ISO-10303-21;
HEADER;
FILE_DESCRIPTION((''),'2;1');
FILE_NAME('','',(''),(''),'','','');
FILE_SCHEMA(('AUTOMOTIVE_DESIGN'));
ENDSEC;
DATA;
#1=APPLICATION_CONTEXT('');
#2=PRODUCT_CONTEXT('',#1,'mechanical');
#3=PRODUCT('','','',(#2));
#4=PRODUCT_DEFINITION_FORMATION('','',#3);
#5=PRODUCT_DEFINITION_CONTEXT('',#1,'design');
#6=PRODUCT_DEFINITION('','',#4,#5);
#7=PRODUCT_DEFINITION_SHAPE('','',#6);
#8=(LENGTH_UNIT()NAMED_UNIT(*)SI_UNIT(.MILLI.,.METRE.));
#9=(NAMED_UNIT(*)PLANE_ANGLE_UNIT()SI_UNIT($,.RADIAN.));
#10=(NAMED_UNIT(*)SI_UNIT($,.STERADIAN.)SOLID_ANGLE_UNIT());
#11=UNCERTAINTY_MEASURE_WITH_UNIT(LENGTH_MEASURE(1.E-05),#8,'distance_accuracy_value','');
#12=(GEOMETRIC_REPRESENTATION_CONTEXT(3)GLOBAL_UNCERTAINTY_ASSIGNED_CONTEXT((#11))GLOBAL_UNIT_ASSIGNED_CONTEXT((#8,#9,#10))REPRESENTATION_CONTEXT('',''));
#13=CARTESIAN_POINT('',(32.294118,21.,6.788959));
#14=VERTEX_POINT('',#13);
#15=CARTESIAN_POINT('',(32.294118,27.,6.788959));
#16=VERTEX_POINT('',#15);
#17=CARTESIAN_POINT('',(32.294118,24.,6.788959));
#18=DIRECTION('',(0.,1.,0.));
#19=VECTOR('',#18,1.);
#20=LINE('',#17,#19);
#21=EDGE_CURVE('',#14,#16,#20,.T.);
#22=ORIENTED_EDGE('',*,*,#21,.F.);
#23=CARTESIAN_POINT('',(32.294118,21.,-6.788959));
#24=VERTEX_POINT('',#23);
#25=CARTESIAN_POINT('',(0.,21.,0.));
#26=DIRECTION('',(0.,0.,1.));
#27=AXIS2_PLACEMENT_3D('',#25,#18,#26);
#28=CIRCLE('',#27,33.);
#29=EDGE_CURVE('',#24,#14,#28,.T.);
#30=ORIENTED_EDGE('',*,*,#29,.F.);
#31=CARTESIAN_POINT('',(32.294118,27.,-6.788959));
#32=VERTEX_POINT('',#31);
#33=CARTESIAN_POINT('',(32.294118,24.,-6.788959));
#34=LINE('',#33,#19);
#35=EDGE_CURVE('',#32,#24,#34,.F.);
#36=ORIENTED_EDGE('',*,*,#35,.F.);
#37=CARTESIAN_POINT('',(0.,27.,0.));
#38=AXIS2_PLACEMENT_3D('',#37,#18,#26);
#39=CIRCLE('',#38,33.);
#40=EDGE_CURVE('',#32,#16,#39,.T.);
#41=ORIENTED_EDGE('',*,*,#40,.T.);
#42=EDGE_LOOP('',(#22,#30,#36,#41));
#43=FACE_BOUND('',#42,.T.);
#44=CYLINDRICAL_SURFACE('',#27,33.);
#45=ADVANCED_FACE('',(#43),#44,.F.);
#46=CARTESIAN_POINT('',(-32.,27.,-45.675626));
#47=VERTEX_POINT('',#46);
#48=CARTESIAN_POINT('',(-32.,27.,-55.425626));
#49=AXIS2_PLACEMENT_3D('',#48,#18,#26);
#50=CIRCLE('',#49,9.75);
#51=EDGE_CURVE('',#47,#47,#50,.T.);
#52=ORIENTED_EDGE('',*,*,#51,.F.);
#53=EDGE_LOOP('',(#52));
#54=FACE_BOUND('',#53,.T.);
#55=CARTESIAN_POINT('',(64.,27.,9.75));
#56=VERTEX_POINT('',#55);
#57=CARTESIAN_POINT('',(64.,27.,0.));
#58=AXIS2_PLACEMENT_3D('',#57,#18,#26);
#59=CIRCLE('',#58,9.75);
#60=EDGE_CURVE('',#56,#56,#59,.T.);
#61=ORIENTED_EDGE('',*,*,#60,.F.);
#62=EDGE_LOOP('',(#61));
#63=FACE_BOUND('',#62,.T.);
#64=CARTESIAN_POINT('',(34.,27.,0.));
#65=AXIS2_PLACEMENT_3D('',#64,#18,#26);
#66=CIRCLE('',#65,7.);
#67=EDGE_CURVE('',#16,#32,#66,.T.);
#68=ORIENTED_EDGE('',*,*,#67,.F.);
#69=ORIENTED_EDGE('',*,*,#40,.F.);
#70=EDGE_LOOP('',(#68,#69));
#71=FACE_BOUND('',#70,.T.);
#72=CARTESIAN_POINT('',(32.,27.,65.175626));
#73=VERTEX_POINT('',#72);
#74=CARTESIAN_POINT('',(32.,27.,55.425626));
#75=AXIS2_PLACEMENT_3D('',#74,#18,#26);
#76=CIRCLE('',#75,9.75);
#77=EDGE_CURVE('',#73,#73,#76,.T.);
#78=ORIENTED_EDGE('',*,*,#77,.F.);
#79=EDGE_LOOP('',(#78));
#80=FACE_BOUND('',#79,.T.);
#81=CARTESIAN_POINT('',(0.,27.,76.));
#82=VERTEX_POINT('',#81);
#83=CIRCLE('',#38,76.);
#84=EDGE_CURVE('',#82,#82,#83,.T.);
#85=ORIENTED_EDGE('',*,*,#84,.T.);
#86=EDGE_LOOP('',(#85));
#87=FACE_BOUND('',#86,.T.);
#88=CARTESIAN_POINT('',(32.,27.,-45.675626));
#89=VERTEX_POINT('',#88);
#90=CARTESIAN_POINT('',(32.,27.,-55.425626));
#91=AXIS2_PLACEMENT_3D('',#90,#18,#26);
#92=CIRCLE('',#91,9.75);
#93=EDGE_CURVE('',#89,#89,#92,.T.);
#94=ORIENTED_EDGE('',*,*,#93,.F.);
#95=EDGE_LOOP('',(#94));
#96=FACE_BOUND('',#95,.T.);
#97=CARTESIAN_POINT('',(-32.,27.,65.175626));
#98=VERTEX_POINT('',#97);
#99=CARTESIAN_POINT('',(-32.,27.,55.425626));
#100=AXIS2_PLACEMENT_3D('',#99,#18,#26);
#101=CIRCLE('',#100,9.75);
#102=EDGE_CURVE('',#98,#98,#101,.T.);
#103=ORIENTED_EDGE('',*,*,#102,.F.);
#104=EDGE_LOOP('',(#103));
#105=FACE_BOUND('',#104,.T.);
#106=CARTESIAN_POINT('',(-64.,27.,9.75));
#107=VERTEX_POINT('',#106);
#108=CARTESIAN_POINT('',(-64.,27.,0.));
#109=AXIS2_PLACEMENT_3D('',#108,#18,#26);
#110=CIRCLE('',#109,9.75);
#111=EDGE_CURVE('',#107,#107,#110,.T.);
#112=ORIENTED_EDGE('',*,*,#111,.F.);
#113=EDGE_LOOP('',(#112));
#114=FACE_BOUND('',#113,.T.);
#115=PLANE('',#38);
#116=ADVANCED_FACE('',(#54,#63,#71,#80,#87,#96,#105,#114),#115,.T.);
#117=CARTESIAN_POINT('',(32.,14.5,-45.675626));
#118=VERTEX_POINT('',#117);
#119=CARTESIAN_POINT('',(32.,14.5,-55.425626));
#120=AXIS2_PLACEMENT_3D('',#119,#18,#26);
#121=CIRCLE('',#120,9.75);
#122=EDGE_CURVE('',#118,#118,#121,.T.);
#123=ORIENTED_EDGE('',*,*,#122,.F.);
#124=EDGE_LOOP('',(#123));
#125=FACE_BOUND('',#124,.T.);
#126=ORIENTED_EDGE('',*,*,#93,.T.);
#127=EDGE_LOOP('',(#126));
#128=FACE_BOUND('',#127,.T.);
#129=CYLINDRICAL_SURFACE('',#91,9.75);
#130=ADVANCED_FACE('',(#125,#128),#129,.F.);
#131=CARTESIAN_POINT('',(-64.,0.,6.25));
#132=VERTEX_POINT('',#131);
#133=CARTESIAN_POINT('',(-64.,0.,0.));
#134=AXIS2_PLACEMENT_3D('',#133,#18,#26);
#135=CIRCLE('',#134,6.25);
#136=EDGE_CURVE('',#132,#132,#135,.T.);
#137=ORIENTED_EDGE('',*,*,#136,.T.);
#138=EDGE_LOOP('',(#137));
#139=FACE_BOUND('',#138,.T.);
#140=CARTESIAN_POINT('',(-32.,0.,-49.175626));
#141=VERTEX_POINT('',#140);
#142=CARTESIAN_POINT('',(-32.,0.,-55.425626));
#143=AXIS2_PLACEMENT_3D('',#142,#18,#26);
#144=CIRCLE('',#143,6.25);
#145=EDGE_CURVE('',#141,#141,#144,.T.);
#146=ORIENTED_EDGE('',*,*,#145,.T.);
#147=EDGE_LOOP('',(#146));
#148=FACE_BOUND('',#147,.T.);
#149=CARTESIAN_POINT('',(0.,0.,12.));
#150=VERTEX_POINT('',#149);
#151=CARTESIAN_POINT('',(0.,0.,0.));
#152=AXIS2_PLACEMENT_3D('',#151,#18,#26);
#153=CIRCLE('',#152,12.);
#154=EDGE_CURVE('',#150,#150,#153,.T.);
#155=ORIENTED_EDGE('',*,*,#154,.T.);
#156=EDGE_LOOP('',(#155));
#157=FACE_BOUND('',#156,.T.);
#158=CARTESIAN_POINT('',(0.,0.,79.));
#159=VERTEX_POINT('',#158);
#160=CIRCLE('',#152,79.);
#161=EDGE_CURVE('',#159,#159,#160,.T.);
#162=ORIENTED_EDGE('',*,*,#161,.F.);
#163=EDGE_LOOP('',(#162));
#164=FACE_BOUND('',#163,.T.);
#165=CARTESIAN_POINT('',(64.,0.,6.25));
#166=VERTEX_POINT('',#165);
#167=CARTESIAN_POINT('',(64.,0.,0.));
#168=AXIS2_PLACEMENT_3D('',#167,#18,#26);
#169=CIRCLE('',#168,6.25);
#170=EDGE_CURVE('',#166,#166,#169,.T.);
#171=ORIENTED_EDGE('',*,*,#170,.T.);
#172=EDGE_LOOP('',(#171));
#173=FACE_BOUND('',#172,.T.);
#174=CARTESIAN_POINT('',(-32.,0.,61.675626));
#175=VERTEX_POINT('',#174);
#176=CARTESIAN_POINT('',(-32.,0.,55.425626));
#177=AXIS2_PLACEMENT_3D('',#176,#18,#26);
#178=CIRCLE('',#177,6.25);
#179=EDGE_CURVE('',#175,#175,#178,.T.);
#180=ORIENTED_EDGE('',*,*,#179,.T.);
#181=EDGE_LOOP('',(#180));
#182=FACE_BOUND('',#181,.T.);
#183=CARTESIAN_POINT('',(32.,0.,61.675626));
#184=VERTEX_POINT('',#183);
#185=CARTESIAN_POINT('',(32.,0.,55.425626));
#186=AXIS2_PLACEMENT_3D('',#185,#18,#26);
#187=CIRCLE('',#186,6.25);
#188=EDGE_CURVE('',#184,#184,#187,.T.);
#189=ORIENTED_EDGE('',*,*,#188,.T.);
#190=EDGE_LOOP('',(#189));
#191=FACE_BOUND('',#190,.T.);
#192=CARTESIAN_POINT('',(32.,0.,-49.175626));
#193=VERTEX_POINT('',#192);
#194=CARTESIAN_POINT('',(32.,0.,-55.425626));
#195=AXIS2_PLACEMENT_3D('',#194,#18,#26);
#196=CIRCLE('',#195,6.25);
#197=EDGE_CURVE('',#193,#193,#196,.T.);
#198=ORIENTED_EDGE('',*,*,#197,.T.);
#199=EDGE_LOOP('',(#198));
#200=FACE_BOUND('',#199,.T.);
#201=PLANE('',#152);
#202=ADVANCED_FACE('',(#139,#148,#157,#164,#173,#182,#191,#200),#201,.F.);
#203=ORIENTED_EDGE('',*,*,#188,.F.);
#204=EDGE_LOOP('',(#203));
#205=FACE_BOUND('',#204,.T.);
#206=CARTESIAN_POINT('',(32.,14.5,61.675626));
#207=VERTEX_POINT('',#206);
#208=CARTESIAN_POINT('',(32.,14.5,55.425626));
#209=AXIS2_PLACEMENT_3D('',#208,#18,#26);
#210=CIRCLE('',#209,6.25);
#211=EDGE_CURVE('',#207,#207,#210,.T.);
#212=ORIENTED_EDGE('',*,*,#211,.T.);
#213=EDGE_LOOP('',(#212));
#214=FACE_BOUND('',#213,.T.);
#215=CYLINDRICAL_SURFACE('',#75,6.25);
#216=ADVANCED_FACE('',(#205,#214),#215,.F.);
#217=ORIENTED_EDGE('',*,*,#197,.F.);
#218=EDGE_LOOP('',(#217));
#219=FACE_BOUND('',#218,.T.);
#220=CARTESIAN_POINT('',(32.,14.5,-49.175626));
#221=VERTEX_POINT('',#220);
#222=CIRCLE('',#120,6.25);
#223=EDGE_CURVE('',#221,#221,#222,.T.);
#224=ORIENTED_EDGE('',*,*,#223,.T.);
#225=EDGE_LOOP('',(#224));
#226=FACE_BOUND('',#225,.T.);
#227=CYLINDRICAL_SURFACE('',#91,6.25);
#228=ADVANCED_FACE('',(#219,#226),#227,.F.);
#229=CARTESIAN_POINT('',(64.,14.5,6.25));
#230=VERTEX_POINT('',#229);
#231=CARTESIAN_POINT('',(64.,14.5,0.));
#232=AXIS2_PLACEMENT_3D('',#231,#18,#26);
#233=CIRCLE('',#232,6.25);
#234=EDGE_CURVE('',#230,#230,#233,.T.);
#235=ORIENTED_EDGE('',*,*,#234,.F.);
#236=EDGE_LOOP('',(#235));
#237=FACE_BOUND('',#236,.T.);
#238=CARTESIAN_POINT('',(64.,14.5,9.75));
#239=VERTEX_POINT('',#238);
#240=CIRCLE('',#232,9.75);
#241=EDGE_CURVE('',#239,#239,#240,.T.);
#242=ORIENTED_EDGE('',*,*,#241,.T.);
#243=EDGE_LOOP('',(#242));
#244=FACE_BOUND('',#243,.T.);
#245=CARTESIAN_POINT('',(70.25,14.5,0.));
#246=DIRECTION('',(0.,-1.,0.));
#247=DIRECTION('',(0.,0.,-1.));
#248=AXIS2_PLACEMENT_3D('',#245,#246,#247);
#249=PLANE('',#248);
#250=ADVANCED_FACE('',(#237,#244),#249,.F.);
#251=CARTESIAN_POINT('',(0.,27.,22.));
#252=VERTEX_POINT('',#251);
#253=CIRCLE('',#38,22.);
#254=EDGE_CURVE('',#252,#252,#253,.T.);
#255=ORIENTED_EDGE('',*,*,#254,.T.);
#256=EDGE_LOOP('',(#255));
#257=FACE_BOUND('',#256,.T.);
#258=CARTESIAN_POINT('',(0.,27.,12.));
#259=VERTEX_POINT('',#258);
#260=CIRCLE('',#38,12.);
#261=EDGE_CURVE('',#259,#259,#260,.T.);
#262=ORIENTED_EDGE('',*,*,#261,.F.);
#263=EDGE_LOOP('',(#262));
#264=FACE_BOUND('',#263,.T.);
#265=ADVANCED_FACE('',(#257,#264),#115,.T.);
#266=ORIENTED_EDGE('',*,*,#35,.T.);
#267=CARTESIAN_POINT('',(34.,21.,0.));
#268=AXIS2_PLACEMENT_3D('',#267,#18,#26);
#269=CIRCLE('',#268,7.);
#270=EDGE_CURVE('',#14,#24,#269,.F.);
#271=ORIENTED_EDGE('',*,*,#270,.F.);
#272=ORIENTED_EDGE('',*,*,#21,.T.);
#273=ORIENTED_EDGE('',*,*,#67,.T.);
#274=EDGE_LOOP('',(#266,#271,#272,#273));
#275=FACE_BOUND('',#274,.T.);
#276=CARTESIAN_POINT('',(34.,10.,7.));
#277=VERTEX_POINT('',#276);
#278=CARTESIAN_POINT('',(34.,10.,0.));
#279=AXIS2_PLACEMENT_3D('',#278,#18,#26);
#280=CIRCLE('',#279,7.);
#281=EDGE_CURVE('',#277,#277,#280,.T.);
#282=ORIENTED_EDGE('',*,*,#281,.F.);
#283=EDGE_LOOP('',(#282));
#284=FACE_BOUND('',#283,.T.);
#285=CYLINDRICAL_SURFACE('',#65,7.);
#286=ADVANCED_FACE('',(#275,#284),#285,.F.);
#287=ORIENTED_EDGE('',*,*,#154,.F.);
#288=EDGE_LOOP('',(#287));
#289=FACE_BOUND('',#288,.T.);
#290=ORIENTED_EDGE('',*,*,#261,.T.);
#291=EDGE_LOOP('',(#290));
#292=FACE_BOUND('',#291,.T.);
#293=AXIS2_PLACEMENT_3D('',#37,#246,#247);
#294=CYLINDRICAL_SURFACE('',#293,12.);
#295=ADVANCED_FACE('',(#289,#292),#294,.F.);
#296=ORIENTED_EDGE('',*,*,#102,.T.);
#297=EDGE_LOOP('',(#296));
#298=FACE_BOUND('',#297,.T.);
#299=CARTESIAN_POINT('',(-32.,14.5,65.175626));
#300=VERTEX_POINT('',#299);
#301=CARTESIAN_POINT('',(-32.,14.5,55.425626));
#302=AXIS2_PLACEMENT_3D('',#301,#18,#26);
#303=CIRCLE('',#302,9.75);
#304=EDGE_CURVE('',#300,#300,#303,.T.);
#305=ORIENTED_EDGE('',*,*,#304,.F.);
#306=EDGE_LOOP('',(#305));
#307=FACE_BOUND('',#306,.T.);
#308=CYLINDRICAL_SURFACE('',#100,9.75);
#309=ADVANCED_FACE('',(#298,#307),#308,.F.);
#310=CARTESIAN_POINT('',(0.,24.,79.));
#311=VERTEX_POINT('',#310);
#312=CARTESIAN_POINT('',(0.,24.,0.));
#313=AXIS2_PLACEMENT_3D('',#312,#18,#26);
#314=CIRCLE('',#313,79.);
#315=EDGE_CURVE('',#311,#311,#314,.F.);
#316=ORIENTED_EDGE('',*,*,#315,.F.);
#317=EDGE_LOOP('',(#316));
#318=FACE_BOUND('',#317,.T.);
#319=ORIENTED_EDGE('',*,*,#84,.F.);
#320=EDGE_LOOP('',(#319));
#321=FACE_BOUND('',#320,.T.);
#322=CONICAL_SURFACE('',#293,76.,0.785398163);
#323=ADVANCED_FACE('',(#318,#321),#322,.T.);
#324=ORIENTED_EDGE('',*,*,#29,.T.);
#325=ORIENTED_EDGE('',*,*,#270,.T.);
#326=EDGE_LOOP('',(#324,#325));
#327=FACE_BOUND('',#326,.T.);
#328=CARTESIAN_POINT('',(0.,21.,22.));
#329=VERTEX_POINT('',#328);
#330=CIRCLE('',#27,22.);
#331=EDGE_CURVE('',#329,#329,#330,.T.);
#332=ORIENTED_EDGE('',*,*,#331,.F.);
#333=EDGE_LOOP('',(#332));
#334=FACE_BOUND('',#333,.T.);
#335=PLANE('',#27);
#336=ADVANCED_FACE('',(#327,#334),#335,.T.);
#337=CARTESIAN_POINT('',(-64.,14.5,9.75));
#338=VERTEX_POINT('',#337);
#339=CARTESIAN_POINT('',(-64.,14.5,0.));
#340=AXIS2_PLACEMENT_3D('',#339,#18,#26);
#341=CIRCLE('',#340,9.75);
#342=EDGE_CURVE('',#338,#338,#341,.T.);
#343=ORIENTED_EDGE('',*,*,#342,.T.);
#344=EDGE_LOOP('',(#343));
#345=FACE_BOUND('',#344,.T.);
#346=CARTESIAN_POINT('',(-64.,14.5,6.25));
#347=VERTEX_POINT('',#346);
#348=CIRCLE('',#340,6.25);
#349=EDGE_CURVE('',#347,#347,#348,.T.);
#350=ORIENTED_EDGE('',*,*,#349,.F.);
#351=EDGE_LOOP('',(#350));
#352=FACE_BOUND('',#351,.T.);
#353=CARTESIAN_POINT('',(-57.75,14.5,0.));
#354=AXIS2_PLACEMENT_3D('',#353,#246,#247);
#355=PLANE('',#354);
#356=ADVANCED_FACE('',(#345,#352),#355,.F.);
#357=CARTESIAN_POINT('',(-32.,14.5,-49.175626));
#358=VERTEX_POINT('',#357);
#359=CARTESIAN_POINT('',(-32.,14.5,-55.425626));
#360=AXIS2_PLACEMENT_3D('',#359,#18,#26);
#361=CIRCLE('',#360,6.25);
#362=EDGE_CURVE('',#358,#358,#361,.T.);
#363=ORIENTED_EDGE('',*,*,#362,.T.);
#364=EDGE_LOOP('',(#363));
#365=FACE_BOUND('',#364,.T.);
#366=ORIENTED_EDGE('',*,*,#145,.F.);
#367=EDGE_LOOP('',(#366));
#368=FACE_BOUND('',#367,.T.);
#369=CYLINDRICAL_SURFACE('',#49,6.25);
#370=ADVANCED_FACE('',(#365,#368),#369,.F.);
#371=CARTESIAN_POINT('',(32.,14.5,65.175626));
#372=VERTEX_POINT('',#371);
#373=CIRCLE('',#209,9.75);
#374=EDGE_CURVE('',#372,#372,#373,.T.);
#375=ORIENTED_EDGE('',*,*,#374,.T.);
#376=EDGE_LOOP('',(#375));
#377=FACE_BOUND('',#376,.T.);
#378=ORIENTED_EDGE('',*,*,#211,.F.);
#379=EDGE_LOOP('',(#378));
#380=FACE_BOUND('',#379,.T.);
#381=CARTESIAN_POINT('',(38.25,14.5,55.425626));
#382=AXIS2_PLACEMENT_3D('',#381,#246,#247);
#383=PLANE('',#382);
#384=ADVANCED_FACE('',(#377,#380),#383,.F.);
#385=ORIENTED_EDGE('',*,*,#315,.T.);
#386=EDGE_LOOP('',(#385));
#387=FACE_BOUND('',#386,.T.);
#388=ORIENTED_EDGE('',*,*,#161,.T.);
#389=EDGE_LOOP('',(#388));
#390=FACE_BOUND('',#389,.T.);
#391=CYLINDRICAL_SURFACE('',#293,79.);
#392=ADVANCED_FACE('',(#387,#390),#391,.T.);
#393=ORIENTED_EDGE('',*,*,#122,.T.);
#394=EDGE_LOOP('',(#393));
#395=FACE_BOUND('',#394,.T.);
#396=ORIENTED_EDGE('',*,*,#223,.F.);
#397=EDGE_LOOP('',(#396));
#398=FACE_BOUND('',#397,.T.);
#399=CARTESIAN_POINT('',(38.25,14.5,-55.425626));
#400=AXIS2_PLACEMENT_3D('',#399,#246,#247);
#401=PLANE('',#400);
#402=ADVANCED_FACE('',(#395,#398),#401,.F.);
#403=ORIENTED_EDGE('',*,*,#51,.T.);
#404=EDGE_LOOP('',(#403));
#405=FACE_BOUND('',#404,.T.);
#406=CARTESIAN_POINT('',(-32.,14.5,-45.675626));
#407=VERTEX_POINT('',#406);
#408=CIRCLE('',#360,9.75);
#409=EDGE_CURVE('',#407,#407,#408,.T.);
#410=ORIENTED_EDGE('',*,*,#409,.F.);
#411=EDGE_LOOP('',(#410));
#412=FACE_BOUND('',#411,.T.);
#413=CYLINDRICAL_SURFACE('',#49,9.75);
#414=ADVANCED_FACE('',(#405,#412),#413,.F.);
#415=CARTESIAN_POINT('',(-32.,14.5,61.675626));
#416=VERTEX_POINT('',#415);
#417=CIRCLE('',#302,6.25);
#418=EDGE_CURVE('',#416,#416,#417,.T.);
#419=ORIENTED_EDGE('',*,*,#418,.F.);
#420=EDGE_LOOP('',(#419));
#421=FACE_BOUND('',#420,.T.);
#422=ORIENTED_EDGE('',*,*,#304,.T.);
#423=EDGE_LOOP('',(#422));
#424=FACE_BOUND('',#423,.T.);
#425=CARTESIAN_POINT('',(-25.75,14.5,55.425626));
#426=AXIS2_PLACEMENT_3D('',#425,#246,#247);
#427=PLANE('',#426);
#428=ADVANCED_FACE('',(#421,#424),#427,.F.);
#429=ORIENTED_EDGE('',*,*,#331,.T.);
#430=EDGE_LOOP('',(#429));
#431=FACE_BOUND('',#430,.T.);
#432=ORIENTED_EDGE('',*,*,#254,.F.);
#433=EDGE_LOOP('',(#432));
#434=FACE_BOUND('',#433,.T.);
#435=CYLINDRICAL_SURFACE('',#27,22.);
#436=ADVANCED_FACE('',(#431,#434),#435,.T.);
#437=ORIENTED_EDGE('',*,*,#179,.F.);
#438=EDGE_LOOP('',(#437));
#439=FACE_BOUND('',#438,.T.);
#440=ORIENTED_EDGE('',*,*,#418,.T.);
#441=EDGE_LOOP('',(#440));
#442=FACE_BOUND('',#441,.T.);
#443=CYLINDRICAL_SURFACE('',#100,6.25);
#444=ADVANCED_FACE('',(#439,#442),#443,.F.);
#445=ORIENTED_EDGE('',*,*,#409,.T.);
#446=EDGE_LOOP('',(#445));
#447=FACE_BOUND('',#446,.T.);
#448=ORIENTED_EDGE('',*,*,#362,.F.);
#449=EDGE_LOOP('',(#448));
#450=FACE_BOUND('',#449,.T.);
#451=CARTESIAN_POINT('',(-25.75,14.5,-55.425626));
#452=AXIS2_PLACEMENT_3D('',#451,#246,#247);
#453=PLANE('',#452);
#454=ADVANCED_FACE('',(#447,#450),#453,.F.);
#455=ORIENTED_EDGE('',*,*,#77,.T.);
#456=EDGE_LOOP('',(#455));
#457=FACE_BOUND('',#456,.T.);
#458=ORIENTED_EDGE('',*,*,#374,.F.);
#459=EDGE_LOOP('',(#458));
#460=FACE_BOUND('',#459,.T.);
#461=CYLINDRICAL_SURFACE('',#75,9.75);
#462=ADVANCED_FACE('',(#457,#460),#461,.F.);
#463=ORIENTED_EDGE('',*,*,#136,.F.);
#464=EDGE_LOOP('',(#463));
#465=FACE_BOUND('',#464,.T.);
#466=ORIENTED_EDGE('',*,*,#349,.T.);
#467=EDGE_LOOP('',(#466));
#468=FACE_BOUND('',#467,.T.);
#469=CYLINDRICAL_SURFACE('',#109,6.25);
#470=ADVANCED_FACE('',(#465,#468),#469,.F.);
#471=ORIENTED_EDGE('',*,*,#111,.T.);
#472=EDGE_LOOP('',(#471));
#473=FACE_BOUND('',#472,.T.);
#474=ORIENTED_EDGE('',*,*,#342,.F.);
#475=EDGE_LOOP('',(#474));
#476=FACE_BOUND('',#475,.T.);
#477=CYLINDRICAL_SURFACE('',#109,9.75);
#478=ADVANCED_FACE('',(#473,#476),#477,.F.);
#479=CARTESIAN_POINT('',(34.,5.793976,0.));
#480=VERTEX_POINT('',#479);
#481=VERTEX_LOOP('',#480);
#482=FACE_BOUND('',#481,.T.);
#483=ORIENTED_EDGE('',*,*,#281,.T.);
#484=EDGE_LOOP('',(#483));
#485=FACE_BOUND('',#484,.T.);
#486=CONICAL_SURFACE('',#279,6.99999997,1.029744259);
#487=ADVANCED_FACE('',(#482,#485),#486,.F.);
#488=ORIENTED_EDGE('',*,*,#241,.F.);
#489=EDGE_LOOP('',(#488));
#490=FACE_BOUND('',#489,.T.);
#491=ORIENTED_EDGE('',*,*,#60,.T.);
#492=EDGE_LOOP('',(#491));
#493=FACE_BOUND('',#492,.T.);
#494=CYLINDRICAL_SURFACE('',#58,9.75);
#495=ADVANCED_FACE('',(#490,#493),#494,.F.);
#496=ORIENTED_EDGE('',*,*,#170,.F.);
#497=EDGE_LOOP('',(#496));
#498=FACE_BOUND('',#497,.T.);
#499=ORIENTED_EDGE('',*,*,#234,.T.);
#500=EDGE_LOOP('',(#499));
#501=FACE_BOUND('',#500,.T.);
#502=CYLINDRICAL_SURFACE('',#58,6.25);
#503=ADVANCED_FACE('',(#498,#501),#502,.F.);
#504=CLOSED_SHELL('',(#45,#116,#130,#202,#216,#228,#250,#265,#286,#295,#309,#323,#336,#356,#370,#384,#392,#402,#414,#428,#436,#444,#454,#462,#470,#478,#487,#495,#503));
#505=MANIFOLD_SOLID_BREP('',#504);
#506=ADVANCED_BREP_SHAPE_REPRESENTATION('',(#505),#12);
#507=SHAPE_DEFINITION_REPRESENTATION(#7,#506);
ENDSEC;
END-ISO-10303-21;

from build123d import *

# Parameters (mm, degrees)
SKETCH1_R                                           = 79
SKETCH1_R_2                                         = 12
BOSS_EXTRUDE3_DEPTH                                 = 27
CBORE_FOR_00_BINDING_HEAD_MACHINE_SCREW_D           = 12.499999892
CBORE_FOR_00_BINDING_HEAD_MACHINE_SCREW_CBORE_D     = 19.500000116
CBORE_FOR_00_BINDING_HEAD_MACHINE_SCREW_CBORE_DEPTH = 12.499999892
F_97_0_0059_DIAMETER_HOLE1_D                        = 13.99999994
F_97_0_0059_DIAMETER_HOLE1_DEPTH                    = 17
F_97_0_0059_DIAMETER_HOLE1_TIP                      = 4.206024315
SKETCH8_R                                           = 33
SKETCH8_R_2                                         = 22
CUT_EXTRUDE1_DEPTH                                  = 6
CHAMFER1_SIZE                                       = 3


with BuildPart() as part:
    # Sketch1 → Boss-Extrude3 (new body)
    with BuildSketch(Plane(origin=(0, 0, 0), x_dir=(1, 0, 0), z_dir=(0, 1, 0))):
        Circle(SKETCH1_R)
        Circle(SKETCH1_R_2, mode=Mode.SUBTRACT)
    extrude(amount=BOSS_EXTRUDE3_DEPTH)

    # CBORE for #00 Binding Head Machine Screw1 (through all)
    with Locations(Plane(origin=(0, 27, 0), x_dir=(1, 0, 0), z_dir=(0, 1, 0))):
        with Locations((32, 55.425625842), (64, 0), (32, -55.425625842), (-32, -55.425625842), (-64, 0), (-32, 55.425625842), (0, 0)):
            CounterBoreHole(CBORE_FOR_00_BINDING_HEAD_MACHINE_SCREW_D / 2, CBORE_FOR_00_BINDING_HEAD_MACHINE_SCREW_CBORE_D / 2, CBORE_FOR_00_BINDING_HEAD_MACHINE_SCREW_CBORE_DEPTH)

    # #97 (0.0059) Diameter Hole1
    with Locations(Plane(origin=(0, 27, 0), x_dir=(1, 0, 0), z_dir=(0, 1, 0))):
        with Locations((34, 0)):
            Hole(F_97_0_0059_DIAMETER_HOLE1_D / 2, depth=F_97_0_0059_DIAMETER_HOLE1_DEPTH)
            with Locations((0, 0, -(F_97_0_0059_DIAMETER_HOLE1_DEPTH + F_97_0_0059_DIAMETER_HOLE1_TIP / 2))):  # 118° drill point
                Cone(0, F_97_0_0059_DIAMETER_HOLE1_D / 2, F_97_0_0059_DIAMETER_HOLE1_TIP, mode=Mode.SUBTRACT)

    # Sketch8 → Cut-Extrude1 (cut)
    with BuildSketch(Plane(origin=(0, 27, 0), x_dir=(1, 0, 0), z_dir=(0, 1, 0))):
        Circle(SKETCH8_R)
        Circle(SKETCH8_R_2, mode=Mode.SUBTRACT)
    extrude(amount=-CUT_EXTRUDE1_DEPTH, mode=Mode.SUBTRACT)

    # Chamfer1
    chamfer1_edges = [part.edges().sort_by_distance(p)[0] for p in [
        (-79, 27, 0),
    ]]
    chamfer(chamfer1_edges, length=CHAMFER1_SIZE)


solid = part.part
